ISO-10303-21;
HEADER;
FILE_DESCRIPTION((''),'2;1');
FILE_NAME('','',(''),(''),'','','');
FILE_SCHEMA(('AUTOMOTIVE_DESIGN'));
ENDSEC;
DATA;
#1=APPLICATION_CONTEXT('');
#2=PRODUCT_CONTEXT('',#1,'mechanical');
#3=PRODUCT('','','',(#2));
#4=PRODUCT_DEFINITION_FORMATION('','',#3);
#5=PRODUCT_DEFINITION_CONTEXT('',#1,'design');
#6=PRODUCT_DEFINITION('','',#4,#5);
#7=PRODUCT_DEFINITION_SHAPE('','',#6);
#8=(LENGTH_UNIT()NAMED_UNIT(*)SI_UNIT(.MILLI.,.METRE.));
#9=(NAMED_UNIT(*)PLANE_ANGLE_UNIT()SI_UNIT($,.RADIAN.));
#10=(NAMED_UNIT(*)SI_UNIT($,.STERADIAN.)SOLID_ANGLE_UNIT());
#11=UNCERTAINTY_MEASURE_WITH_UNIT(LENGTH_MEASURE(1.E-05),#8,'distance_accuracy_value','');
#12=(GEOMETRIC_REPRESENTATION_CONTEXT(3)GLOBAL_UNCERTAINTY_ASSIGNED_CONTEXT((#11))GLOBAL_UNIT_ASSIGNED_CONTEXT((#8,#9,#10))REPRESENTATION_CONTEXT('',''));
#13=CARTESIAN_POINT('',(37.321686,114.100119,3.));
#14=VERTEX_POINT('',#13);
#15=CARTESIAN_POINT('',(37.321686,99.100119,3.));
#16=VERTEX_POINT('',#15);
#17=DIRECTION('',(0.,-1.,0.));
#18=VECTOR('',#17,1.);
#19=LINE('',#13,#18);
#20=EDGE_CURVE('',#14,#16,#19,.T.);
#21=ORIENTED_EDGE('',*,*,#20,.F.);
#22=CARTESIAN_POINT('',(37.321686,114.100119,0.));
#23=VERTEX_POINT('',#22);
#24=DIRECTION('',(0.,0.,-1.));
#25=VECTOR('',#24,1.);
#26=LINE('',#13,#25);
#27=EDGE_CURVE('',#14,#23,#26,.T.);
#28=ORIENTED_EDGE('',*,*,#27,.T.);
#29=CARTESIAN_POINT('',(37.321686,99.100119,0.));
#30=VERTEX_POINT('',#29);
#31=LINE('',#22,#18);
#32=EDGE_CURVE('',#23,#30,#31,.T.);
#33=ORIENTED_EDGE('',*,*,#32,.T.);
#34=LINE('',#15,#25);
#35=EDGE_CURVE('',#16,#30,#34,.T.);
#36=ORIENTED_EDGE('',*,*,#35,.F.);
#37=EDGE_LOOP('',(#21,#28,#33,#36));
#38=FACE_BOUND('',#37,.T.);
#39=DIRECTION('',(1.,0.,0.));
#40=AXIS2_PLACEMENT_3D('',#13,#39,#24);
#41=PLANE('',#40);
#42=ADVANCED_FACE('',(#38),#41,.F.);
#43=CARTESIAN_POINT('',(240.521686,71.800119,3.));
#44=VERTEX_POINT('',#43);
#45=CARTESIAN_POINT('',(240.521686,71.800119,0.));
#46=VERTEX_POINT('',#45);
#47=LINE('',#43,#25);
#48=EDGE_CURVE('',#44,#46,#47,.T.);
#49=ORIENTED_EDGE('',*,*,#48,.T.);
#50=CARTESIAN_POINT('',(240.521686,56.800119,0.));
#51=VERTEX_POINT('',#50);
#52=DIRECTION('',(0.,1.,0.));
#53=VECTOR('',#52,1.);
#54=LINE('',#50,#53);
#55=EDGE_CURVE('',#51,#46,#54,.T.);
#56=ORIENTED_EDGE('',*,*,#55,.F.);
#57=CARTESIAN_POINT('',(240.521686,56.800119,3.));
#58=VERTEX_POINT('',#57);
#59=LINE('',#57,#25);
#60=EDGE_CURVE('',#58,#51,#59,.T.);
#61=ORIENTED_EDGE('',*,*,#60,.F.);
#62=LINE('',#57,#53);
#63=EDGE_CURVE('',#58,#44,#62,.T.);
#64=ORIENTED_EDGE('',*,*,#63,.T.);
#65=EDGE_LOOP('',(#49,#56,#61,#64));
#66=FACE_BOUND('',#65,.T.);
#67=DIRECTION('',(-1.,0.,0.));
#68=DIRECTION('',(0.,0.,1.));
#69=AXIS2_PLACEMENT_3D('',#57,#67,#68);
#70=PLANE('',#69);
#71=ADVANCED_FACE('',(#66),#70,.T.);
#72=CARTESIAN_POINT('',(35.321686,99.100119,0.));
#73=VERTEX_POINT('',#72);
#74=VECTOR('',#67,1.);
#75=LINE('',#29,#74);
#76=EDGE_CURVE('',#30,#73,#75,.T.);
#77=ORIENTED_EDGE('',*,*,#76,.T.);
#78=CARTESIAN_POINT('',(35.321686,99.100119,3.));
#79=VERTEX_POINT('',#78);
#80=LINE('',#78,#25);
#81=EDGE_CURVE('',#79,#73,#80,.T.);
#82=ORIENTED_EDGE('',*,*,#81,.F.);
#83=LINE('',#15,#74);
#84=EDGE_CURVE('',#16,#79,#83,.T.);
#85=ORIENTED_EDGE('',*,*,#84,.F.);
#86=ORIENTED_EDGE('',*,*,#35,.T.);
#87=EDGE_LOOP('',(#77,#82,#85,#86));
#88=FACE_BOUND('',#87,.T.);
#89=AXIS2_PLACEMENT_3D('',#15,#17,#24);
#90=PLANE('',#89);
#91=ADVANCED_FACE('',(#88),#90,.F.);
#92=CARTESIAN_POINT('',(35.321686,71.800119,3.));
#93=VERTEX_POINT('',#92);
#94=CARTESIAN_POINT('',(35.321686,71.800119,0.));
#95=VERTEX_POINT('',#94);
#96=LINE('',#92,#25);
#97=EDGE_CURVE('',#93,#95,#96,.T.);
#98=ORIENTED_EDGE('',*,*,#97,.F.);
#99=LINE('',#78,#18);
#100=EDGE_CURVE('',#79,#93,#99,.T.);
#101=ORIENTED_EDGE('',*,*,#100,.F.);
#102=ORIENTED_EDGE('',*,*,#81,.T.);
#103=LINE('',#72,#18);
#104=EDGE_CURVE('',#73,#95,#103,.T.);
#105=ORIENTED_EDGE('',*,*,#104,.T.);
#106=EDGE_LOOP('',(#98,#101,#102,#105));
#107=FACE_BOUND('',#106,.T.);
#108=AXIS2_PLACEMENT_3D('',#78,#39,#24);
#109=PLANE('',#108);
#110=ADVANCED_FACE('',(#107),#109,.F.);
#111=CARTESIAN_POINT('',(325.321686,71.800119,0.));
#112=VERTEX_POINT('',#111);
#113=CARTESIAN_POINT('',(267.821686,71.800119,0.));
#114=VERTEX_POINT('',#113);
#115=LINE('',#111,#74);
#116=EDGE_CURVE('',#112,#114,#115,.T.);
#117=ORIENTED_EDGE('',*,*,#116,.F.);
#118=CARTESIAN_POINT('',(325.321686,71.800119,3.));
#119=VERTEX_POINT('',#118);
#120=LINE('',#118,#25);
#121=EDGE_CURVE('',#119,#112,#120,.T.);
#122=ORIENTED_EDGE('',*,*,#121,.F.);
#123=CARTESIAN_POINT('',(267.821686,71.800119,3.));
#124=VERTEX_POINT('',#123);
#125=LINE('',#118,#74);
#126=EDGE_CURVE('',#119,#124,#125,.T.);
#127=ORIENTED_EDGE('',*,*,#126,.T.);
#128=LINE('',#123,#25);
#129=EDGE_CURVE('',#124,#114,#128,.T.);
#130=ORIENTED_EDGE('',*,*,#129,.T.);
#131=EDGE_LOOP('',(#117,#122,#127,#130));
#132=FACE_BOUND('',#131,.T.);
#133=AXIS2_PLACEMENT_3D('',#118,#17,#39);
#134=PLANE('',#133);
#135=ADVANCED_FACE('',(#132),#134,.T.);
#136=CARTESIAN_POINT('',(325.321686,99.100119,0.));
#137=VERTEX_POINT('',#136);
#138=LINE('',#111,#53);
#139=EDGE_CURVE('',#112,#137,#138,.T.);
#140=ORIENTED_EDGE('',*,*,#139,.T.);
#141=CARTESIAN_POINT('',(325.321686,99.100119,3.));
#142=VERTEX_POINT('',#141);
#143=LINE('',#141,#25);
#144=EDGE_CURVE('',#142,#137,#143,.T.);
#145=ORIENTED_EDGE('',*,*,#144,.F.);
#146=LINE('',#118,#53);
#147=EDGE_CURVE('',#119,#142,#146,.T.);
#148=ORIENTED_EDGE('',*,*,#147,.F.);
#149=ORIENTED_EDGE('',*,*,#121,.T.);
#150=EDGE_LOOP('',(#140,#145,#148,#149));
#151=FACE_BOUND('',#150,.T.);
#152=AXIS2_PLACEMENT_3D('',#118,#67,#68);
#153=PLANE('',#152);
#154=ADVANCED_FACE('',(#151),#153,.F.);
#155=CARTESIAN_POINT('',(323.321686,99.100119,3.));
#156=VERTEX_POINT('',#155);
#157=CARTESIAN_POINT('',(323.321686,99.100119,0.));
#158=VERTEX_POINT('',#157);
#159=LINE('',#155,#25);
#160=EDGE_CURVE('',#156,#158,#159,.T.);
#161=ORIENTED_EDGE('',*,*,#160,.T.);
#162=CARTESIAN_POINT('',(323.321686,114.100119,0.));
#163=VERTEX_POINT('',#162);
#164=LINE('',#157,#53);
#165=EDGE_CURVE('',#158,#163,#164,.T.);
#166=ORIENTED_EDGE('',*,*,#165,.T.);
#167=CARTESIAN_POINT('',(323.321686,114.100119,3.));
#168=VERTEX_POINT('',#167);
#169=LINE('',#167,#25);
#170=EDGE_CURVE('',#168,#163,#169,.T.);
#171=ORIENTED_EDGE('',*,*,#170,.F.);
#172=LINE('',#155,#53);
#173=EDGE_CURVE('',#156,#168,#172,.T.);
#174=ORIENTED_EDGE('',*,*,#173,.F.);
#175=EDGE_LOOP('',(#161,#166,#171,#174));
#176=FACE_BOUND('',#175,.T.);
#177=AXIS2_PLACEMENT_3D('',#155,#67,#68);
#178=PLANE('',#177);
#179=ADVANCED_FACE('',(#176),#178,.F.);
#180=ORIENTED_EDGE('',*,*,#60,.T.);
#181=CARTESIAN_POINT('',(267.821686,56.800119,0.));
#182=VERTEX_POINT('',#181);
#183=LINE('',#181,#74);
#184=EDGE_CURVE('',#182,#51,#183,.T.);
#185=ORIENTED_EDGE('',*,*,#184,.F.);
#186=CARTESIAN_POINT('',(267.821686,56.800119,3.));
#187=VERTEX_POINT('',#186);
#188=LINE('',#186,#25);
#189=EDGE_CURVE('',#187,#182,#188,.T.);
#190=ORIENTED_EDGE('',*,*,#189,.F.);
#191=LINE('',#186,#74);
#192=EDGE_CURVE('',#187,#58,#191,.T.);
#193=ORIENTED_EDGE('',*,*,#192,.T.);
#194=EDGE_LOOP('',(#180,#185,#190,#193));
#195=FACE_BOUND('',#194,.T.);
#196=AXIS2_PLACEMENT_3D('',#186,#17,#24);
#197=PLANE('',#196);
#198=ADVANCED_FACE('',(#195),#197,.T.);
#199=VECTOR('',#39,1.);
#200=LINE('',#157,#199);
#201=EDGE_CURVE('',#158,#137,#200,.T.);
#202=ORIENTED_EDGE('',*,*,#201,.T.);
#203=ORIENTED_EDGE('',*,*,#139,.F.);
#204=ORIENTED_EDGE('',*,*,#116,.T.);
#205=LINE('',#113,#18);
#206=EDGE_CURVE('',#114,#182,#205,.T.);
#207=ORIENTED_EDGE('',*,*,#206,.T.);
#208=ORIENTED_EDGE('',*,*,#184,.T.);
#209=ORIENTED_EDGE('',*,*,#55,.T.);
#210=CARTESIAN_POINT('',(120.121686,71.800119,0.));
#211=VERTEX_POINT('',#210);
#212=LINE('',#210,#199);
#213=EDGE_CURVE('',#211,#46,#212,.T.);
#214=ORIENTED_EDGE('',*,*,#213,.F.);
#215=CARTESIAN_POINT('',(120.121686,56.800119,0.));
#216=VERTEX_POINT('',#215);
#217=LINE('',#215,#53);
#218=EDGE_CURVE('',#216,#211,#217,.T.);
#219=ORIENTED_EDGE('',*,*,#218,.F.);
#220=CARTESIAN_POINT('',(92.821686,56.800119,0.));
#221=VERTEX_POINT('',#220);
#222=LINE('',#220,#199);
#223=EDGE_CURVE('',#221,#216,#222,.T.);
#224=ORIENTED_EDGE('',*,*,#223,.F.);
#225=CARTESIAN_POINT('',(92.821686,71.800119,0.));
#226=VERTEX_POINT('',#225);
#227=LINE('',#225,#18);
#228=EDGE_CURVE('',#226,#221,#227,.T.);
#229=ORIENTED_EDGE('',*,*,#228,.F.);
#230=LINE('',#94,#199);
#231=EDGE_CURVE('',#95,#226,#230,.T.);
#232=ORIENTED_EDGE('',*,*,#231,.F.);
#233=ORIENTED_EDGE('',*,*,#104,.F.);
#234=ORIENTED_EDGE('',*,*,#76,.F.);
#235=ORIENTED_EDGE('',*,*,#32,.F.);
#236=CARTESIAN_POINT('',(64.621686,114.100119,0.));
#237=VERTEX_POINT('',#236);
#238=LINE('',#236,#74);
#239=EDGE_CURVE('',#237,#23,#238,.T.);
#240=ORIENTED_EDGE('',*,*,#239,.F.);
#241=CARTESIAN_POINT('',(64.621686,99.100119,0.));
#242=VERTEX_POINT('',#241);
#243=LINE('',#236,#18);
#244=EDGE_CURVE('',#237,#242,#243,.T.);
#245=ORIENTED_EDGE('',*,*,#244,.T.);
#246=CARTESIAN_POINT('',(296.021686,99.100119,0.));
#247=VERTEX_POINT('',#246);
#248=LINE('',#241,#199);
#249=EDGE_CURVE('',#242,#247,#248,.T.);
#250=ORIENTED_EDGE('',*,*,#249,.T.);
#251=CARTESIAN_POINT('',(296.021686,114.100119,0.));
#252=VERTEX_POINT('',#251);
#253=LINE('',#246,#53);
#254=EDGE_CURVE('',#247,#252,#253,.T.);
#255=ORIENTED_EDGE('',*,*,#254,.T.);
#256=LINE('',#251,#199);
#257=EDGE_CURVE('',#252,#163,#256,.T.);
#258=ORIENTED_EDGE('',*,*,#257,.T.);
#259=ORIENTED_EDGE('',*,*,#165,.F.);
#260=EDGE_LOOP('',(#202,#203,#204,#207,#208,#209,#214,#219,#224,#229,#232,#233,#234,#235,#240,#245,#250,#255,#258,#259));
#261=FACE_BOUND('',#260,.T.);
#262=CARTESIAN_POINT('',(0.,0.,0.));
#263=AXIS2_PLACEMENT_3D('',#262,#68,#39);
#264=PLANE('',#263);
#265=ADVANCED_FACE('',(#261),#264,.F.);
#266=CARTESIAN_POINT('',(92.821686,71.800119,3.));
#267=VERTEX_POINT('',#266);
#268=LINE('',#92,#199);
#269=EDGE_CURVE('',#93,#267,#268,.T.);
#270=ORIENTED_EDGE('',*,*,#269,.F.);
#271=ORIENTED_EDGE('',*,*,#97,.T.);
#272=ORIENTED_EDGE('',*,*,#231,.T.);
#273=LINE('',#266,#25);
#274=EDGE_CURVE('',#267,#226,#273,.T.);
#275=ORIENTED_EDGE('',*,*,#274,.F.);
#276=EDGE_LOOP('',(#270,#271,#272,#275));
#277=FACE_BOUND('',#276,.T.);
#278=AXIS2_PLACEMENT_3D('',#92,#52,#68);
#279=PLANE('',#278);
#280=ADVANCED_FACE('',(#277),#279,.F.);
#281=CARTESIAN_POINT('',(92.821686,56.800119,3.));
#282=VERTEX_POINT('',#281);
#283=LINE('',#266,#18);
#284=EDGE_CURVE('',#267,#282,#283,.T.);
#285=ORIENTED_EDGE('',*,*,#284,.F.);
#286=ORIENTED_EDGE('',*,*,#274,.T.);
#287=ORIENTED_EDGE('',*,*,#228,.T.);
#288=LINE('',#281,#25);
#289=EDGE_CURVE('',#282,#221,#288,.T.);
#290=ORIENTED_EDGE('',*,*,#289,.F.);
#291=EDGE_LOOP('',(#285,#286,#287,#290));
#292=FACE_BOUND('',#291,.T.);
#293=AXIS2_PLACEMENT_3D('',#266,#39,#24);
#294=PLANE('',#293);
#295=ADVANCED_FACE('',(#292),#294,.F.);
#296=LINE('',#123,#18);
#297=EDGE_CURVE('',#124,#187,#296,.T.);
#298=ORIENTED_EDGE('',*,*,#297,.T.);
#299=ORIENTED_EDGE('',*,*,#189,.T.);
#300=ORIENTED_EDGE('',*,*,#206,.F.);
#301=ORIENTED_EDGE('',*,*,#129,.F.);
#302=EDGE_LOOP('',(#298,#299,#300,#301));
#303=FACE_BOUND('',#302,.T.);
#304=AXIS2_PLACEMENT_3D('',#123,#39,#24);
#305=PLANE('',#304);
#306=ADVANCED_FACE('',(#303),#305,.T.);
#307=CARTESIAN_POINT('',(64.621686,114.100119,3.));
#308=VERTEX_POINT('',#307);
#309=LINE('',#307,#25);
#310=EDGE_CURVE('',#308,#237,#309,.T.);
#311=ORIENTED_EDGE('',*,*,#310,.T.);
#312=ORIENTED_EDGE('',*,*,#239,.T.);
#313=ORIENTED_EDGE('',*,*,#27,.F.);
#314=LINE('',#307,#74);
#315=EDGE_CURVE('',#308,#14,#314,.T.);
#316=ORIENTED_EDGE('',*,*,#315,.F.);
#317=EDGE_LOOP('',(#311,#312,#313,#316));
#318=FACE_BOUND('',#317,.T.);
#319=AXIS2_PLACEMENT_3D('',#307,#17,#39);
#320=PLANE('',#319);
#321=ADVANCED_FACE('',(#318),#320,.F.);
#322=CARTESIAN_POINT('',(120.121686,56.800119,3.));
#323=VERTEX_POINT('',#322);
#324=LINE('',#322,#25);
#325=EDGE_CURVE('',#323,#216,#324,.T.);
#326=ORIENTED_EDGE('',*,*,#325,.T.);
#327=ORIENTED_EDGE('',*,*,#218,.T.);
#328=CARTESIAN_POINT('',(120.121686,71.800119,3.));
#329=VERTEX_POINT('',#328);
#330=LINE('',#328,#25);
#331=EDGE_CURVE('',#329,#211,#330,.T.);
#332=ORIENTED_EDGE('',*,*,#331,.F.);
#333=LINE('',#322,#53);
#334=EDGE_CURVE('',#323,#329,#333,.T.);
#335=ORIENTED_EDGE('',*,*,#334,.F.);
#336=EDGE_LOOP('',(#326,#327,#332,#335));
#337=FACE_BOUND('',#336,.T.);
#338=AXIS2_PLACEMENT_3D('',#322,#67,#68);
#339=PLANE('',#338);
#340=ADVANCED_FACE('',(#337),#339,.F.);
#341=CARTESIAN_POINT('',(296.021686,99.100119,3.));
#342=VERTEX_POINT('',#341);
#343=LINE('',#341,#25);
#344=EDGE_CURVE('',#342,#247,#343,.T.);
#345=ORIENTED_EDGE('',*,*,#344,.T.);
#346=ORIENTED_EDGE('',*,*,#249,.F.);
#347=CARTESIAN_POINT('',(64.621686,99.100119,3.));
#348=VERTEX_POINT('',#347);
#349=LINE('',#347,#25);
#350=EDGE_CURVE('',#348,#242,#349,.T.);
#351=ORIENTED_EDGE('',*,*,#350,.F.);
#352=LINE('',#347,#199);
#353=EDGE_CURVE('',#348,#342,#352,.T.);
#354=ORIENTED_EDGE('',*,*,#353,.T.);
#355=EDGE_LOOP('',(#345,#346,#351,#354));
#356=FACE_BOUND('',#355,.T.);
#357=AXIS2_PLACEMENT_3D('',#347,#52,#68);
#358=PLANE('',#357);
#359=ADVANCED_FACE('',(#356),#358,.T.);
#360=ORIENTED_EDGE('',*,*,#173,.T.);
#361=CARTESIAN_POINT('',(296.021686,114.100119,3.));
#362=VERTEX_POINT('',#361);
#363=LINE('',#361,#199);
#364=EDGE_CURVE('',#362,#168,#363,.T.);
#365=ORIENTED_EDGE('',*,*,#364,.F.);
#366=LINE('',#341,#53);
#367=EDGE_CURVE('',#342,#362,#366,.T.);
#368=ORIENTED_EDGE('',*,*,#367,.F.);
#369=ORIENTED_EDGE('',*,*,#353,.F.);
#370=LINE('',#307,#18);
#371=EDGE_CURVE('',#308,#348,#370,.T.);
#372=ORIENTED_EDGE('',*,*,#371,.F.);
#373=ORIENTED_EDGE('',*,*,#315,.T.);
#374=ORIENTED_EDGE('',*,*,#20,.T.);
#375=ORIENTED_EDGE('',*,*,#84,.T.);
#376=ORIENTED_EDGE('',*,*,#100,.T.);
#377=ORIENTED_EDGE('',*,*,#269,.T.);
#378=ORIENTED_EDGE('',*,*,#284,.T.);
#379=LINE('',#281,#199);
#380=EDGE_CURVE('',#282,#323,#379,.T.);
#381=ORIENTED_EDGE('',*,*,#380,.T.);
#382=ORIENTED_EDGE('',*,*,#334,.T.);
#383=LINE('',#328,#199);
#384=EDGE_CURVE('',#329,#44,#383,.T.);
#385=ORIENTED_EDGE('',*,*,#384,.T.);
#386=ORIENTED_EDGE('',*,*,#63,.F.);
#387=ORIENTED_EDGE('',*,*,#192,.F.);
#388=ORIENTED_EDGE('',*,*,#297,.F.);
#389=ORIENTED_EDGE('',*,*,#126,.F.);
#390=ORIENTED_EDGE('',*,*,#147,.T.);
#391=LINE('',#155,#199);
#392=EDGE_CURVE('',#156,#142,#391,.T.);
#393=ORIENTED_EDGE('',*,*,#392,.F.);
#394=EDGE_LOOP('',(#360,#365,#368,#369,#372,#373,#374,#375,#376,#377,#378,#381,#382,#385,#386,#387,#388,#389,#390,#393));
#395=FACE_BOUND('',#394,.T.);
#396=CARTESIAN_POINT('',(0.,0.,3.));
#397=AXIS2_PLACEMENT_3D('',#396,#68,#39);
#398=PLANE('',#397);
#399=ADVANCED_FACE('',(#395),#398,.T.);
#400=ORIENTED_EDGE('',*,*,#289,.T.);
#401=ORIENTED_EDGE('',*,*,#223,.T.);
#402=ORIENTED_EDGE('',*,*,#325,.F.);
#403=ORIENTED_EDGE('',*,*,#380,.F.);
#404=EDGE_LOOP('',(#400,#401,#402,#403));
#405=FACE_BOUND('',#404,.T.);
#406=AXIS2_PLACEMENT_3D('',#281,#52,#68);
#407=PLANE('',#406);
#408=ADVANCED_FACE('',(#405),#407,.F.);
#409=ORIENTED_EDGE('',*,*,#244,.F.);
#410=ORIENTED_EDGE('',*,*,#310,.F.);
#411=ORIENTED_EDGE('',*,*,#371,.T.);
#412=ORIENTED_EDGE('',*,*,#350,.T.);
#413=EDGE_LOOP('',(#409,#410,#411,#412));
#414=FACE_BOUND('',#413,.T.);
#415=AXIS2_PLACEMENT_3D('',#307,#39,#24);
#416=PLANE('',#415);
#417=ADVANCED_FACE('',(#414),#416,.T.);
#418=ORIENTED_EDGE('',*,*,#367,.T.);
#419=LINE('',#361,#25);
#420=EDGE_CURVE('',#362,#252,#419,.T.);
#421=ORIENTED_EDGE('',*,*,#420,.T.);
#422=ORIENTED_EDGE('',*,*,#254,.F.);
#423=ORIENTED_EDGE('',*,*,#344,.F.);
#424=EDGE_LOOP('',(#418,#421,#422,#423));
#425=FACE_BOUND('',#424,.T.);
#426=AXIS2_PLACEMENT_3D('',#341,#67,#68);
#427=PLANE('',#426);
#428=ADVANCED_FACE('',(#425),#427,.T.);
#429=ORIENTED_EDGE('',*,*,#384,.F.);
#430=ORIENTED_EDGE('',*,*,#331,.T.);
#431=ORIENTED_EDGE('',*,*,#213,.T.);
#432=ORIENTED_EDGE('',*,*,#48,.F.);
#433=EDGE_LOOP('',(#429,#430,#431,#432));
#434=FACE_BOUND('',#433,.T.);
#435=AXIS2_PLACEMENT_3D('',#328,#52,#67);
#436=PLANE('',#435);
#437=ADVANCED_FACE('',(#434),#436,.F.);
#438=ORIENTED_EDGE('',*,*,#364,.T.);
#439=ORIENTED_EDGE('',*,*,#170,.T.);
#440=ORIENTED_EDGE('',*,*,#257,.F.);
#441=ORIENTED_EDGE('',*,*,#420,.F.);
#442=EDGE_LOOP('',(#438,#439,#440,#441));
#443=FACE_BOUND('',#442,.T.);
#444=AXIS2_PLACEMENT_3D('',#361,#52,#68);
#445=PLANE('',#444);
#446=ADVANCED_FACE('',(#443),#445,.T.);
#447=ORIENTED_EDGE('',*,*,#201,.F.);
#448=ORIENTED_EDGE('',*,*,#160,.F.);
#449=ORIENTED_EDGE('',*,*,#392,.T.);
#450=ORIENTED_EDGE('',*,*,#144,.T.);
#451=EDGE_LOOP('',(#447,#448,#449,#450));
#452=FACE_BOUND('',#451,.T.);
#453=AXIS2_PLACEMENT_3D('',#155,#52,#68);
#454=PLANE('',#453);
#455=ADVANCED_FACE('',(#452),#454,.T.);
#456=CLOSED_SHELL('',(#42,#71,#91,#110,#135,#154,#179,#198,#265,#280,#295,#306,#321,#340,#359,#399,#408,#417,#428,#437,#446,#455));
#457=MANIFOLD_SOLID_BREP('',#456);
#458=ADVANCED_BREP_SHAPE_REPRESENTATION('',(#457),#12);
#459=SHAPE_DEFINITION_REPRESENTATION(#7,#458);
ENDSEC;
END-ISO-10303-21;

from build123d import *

# Parameters (mm, degrees)
BOSS_EXTRUDE1_DEPTH = 3


with BuildPart() as part:
    # Model → Boss-Extrude1 (new body)
    with BuildSketch(Plane.XY):
        Polygon((325.321685699, 71.800119174), (325.321685699, 99.100119174), (323.321685699, 99.100119174), (323.321685699, 114.100119174), (296.021685699, 114.100119174), (296.021685699, 99.100119174), (64.621685699, 99.100119174), (64.621685699, 114.100119174), (37.321685699, 114.100119174), (37.321685699, 99.100119174), (35.321685699, 99.100119174), (35.321685699, 71.800119174), (92.821685699, 71.800119174), (92.821685699, 56.800119174), (120.121685699, 56.800119174), (120.121685699, 71.800119174), (240.521685699, 71.800119174), (240.521685699, 56.800119174), (267.821685699, 56.800119174), (267.821685699, 71.800119174), align=None)
    extrude(amount=BOSS_EXTRUDE1_DEPTH)


solid = part.part
